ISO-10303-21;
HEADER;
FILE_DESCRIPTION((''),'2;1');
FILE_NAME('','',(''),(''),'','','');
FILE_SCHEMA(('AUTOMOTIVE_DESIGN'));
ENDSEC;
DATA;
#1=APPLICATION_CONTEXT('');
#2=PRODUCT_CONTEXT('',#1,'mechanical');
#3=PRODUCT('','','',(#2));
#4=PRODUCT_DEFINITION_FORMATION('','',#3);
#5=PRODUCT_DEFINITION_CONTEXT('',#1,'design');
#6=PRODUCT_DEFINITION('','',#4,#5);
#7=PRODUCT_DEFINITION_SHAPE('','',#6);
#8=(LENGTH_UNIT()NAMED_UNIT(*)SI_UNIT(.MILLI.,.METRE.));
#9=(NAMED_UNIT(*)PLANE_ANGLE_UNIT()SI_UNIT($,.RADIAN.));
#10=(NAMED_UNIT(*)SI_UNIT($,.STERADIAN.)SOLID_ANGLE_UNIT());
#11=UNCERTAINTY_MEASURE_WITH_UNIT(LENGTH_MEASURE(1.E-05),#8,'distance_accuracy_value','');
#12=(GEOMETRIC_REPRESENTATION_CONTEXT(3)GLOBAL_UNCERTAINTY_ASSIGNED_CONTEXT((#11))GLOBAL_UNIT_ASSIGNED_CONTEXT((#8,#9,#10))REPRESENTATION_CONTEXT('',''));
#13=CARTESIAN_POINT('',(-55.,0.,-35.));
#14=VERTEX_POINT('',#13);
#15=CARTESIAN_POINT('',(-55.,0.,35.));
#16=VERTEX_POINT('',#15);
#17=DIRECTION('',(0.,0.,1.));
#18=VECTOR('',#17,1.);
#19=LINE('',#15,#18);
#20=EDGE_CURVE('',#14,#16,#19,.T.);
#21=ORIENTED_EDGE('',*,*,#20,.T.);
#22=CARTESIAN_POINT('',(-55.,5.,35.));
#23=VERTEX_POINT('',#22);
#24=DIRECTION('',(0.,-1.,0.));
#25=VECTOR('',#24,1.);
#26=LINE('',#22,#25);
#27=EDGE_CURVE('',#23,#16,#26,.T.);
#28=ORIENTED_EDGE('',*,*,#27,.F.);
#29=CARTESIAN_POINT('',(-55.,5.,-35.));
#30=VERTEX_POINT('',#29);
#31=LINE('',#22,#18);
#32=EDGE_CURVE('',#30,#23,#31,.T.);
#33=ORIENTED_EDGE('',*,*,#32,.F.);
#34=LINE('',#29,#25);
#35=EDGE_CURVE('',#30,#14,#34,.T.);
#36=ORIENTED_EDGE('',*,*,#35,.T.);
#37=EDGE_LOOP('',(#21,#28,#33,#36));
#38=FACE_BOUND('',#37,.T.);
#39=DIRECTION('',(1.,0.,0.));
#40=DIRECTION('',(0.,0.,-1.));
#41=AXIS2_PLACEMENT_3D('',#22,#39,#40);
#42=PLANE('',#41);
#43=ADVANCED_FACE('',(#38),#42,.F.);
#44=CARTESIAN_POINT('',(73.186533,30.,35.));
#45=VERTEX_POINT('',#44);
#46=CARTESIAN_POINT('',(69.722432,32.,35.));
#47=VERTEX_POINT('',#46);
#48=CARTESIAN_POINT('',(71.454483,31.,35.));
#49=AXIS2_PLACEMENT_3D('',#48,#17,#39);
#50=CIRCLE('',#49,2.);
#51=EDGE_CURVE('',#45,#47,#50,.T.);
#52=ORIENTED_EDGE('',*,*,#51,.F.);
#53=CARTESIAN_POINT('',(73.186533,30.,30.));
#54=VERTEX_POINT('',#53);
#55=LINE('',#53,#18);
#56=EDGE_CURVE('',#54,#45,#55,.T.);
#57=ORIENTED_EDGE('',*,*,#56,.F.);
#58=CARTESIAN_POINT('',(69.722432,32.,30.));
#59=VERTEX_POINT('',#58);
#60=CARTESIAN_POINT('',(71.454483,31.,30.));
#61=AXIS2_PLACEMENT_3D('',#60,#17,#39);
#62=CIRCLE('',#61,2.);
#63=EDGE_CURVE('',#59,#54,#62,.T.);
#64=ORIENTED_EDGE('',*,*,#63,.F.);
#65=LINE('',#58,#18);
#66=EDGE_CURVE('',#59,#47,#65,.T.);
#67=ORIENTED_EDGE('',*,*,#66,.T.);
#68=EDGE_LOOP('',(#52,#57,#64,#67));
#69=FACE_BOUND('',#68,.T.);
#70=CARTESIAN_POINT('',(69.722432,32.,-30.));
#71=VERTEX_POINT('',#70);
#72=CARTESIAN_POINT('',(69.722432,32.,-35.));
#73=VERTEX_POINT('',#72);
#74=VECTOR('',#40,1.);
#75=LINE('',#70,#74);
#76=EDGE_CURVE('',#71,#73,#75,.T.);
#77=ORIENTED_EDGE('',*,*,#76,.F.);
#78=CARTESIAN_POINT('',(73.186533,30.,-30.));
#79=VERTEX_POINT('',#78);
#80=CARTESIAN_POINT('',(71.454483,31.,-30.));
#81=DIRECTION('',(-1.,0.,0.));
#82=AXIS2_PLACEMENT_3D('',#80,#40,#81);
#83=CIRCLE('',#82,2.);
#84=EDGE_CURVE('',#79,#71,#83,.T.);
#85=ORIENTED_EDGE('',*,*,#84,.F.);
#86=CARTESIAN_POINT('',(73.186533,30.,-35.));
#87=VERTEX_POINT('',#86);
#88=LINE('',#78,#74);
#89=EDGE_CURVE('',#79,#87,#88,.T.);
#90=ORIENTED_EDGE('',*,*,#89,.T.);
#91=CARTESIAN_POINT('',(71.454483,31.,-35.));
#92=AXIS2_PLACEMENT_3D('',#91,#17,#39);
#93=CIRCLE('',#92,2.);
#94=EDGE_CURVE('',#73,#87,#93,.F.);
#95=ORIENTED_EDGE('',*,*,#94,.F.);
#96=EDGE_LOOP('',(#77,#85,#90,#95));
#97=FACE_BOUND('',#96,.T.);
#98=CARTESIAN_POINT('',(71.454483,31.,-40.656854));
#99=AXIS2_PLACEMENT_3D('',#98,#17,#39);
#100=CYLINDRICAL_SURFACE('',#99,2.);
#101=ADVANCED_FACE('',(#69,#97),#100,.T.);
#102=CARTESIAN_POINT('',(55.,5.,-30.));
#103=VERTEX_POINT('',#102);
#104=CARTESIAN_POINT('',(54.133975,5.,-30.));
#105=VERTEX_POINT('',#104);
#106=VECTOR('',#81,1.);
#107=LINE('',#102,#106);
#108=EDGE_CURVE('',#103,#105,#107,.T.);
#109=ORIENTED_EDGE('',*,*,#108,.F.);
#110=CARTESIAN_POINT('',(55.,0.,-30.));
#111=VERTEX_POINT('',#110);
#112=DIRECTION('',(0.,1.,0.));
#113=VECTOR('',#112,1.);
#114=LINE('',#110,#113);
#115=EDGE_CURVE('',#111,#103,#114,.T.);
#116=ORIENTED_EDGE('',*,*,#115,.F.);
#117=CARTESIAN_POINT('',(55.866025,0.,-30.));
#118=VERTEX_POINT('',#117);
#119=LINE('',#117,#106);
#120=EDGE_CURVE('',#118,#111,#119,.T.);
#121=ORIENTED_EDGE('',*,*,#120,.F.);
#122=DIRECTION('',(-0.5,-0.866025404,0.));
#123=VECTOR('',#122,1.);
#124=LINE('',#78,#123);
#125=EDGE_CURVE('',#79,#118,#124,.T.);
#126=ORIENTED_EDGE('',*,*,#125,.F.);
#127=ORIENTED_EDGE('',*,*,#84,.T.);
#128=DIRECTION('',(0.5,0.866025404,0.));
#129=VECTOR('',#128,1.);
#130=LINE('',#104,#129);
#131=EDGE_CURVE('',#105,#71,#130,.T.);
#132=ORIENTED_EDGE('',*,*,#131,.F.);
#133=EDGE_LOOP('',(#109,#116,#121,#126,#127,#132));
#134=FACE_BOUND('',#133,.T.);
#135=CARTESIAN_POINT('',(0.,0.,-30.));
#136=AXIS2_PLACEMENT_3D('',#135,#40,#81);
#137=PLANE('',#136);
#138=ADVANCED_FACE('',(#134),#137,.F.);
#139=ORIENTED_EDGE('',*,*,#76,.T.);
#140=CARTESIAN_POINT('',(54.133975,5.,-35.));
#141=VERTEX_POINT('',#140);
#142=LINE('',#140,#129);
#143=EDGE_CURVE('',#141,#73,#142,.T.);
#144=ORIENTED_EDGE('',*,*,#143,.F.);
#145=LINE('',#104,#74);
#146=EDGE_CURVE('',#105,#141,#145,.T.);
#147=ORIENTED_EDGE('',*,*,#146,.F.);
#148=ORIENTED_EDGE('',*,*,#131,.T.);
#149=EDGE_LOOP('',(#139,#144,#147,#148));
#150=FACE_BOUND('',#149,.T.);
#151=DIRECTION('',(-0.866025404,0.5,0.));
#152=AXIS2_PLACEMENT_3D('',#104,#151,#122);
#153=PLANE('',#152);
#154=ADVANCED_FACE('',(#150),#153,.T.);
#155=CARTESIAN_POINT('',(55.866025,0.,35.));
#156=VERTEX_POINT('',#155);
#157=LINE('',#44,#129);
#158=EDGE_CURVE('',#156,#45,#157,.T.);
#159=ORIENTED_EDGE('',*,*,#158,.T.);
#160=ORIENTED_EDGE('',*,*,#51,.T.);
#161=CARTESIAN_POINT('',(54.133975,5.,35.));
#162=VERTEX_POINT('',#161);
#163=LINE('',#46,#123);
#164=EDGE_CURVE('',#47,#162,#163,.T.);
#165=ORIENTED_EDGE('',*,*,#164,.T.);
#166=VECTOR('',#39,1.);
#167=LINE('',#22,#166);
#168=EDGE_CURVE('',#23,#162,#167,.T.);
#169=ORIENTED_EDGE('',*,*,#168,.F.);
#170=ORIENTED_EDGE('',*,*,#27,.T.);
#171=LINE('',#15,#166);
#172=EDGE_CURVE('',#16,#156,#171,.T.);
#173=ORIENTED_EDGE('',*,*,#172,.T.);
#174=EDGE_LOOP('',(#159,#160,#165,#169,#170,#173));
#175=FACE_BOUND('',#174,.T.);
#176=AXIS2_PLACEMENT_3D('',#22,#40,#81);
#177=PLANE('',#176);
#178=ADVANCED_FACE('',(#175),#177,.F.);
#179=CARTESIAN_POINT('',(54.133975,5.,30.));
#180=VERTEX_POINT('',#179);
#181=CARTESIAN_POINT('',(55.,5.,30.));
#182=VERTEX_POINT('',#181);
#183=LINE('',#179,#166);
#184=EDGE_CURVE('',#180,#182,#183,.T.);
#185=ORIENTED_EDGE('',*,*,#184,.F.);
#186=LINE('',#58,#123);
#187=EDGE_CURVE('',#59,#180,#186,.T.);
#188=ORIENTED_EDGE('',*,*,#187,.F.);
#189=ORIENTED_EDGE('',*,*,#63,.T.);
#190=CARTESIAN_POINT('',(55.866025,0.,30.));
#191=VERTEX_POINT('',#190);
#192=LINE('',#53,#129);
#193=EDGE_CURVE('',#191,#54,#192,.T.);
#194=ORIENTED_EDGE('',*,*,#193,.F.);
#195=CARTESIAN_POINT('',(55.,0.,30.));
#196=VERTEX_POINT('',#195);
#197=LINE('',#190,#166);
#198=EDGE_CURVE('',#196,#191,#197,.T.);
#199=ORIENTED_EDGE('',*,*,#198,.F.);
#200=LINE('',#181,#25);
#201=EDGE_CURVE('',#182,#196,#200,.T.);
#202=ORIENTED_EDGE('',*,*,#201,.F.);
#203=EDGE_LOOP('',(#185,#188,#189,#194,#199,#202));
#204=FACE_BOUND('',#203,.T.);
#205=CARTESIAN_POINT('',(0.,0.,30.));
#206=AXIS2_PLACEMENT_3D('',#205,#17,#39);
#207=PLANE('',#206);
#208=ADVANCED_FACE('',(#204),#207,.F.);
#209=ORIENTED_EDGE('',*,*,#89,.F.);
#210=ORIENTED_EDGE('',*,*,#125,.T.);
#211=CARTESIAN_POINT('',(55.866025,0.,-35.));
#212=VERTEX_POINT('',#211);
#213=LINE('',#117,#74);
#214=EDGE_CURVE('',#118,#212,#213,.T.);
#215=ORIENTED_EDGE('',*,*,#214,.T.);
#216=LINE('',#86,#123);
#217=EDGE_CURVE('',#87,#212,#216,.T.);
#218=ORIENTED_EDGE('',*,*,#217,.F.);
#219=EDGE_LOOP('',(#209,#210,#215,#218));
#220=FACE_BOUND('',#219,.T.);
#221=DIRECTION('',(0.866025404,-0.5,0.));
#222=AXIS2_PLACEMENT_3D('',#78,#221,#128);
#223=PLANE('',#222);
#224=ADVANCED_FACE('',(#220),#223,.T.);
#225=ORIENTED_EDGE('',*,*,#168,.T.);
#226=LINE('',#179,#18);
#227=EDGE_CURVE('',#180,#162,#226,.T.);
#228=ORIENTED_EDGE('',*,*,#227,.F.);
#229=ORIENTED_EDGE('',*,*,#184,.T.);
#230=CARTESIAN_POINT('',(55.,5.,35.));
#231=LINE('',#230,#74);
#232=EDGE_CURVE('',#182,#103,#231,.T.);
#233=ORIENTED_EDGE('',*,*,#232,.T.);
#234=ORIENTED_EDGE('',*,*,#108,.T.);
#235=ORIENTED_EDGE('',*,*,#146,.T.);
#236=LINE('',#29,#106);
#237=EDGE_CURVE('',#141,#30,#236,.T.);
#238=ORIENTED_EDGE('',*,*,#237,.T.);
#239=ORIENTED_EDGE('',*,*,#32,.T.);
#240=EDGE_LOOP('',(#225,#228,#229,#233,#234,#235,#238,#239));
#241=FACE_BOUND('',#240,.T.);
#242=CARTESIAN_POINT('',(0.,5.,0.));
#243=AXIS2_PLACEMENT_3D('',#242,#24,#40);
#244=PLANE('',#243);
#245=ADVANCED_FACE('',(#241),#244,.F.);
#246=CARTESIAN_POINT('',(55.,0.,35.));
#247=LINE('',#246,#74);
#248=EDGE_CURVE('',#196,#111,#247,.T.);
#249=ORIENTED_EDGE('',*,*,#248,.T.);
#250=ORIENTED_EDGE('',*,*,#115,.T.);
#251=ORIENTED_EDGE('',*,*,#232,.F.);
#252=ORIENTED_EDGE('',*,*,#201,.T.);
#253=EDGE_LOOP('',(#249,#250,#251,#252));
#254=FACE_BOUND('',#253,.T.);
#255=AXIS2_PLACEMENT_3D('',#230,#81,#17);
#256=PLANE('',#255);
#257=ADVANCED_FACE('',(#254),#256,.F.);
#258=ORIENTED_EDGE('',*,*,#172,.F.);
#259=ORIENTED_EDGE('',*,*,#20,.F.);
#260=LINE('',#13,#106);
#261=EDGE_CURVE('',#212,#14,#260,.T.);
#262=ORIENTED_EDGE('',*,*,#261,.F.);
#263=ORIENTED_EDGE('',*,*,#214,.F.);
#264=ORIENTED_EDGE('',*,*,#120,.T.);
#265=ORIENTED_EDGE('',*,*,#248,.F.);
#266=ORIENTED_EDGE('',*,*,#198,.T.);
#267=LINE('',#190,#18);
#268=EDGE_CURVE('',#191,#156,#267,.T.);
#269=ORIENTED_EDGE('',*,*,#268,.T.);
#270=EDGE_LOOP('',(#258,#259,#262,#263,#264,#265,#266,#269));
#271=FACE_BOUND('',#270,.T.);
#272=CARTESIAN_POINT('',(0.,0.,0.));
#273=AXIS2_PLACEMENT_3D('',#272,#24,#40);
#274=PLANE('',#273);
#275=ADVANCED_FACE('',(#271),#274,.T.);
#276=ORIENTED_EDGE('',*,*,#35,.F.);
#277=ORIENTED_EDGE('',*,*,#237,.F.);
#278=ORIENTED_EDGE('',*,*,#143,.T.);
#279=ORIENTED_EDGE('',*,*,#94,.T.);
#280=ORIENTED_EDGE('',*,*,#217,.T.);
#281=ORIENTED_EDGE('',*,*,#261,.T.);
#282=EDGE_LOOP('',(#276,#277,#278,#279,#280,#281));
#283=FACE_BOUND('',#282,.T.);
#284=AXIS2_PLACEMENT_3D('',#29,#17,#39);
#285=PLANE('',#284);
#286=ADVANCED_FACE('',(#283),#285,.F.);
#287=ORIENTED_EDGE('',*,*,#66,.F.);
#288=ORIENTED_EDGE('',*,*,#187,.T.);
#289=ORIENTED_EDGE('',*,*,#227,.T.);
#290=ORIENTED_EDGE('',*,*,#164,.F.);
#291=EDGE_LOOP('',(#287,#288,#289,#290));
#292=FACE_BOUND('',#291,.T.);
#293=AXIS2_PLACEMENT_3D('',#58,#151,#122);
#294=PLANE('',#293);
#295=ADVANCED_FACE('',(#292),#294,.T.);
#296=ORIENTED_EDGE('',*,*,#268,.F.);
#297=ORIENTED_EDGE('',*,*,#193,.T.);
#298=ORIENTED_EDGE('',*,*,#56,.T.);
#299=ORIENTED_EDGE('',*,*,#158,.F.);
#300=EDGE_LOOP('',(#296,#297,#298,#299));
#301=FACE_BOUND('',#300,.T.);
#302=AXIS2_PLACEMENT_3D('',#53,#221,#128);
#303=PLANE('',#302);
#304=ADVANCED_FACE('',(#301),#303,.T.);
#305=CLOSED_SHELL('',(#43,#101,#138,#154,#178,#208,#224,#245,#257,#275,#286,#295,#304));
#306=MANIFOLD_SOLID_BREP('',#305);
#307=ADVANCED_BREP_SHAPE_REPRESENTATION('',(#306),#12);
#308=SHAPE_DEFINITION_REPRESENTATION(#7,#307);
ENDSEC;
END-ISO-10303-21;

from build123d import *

# Parameters (mm, degrees)
SKETCH1_W           = 110
SKETCH1_H           = 70
BOSS_EXTRUDE1_DEPTH = 5
BOSS_EXTRUDE2_DEPTH = 5
BOSS_EXTRUDE3_DEPTH = 5
BOSS_EXTRUDE4_START = -70
SKETCH4_R           = 2
BOSS_EXTRUDE4_DEPTH = 70


with BuildPart() as part:
    # Sketch1 → Boss-Extrude1 (new body)
    with BuildSketch(Plane(origin=(0, 0, 0), x_dir=(1, 0, 0), z_dir=(0, 1, 0))):
        Rectangle(SKETCH1_W, SKETCH1_H)
    extrude(amount=BOSS_EXTRUDE1_DEPTH)

    # Sketch2 → Boss-Extrude2 (add)
    with BuildSketch(Plane.XY.offset(35)):
        Polygon((69.722431864, 32), (73.186533479, 30), (55.866025404, 0), (55, 0), (55, 5), (54.133974596, 5), align=None)
    extrude(amount=-BOSS_EXTRUDE2_DEPTH)

    # Sketch3 → Boss-Extrude3 (add)
    with BuildSketch(Plane(origin=(0, 0, -35), x_dir=(-1, 0, 0), z_dir=(0, 0, -1))):
        Polygon((-54.133974596, 5), (-69.722431864, 32), (-73.186533479, 30), (-55.866025404, 0), (-55, 0), (-55, 5), align=None)
    extrude(amount=-BOSS_EXTRUDE3_DEPTH)

    # Sketch4 → Boss-Extrude4 (add)
    with BuildSketch(Plane.XY.offset(35).offset(BOSS_EXTRUDE4_START)):
        with Locations(Location((71.454482672, 31, 0), (0, 0, 330))):
            Circle(SKETCH4_R)
    extrude(amount=BOSS_EXTRUDE4_DEPTH)


solid = part.part
